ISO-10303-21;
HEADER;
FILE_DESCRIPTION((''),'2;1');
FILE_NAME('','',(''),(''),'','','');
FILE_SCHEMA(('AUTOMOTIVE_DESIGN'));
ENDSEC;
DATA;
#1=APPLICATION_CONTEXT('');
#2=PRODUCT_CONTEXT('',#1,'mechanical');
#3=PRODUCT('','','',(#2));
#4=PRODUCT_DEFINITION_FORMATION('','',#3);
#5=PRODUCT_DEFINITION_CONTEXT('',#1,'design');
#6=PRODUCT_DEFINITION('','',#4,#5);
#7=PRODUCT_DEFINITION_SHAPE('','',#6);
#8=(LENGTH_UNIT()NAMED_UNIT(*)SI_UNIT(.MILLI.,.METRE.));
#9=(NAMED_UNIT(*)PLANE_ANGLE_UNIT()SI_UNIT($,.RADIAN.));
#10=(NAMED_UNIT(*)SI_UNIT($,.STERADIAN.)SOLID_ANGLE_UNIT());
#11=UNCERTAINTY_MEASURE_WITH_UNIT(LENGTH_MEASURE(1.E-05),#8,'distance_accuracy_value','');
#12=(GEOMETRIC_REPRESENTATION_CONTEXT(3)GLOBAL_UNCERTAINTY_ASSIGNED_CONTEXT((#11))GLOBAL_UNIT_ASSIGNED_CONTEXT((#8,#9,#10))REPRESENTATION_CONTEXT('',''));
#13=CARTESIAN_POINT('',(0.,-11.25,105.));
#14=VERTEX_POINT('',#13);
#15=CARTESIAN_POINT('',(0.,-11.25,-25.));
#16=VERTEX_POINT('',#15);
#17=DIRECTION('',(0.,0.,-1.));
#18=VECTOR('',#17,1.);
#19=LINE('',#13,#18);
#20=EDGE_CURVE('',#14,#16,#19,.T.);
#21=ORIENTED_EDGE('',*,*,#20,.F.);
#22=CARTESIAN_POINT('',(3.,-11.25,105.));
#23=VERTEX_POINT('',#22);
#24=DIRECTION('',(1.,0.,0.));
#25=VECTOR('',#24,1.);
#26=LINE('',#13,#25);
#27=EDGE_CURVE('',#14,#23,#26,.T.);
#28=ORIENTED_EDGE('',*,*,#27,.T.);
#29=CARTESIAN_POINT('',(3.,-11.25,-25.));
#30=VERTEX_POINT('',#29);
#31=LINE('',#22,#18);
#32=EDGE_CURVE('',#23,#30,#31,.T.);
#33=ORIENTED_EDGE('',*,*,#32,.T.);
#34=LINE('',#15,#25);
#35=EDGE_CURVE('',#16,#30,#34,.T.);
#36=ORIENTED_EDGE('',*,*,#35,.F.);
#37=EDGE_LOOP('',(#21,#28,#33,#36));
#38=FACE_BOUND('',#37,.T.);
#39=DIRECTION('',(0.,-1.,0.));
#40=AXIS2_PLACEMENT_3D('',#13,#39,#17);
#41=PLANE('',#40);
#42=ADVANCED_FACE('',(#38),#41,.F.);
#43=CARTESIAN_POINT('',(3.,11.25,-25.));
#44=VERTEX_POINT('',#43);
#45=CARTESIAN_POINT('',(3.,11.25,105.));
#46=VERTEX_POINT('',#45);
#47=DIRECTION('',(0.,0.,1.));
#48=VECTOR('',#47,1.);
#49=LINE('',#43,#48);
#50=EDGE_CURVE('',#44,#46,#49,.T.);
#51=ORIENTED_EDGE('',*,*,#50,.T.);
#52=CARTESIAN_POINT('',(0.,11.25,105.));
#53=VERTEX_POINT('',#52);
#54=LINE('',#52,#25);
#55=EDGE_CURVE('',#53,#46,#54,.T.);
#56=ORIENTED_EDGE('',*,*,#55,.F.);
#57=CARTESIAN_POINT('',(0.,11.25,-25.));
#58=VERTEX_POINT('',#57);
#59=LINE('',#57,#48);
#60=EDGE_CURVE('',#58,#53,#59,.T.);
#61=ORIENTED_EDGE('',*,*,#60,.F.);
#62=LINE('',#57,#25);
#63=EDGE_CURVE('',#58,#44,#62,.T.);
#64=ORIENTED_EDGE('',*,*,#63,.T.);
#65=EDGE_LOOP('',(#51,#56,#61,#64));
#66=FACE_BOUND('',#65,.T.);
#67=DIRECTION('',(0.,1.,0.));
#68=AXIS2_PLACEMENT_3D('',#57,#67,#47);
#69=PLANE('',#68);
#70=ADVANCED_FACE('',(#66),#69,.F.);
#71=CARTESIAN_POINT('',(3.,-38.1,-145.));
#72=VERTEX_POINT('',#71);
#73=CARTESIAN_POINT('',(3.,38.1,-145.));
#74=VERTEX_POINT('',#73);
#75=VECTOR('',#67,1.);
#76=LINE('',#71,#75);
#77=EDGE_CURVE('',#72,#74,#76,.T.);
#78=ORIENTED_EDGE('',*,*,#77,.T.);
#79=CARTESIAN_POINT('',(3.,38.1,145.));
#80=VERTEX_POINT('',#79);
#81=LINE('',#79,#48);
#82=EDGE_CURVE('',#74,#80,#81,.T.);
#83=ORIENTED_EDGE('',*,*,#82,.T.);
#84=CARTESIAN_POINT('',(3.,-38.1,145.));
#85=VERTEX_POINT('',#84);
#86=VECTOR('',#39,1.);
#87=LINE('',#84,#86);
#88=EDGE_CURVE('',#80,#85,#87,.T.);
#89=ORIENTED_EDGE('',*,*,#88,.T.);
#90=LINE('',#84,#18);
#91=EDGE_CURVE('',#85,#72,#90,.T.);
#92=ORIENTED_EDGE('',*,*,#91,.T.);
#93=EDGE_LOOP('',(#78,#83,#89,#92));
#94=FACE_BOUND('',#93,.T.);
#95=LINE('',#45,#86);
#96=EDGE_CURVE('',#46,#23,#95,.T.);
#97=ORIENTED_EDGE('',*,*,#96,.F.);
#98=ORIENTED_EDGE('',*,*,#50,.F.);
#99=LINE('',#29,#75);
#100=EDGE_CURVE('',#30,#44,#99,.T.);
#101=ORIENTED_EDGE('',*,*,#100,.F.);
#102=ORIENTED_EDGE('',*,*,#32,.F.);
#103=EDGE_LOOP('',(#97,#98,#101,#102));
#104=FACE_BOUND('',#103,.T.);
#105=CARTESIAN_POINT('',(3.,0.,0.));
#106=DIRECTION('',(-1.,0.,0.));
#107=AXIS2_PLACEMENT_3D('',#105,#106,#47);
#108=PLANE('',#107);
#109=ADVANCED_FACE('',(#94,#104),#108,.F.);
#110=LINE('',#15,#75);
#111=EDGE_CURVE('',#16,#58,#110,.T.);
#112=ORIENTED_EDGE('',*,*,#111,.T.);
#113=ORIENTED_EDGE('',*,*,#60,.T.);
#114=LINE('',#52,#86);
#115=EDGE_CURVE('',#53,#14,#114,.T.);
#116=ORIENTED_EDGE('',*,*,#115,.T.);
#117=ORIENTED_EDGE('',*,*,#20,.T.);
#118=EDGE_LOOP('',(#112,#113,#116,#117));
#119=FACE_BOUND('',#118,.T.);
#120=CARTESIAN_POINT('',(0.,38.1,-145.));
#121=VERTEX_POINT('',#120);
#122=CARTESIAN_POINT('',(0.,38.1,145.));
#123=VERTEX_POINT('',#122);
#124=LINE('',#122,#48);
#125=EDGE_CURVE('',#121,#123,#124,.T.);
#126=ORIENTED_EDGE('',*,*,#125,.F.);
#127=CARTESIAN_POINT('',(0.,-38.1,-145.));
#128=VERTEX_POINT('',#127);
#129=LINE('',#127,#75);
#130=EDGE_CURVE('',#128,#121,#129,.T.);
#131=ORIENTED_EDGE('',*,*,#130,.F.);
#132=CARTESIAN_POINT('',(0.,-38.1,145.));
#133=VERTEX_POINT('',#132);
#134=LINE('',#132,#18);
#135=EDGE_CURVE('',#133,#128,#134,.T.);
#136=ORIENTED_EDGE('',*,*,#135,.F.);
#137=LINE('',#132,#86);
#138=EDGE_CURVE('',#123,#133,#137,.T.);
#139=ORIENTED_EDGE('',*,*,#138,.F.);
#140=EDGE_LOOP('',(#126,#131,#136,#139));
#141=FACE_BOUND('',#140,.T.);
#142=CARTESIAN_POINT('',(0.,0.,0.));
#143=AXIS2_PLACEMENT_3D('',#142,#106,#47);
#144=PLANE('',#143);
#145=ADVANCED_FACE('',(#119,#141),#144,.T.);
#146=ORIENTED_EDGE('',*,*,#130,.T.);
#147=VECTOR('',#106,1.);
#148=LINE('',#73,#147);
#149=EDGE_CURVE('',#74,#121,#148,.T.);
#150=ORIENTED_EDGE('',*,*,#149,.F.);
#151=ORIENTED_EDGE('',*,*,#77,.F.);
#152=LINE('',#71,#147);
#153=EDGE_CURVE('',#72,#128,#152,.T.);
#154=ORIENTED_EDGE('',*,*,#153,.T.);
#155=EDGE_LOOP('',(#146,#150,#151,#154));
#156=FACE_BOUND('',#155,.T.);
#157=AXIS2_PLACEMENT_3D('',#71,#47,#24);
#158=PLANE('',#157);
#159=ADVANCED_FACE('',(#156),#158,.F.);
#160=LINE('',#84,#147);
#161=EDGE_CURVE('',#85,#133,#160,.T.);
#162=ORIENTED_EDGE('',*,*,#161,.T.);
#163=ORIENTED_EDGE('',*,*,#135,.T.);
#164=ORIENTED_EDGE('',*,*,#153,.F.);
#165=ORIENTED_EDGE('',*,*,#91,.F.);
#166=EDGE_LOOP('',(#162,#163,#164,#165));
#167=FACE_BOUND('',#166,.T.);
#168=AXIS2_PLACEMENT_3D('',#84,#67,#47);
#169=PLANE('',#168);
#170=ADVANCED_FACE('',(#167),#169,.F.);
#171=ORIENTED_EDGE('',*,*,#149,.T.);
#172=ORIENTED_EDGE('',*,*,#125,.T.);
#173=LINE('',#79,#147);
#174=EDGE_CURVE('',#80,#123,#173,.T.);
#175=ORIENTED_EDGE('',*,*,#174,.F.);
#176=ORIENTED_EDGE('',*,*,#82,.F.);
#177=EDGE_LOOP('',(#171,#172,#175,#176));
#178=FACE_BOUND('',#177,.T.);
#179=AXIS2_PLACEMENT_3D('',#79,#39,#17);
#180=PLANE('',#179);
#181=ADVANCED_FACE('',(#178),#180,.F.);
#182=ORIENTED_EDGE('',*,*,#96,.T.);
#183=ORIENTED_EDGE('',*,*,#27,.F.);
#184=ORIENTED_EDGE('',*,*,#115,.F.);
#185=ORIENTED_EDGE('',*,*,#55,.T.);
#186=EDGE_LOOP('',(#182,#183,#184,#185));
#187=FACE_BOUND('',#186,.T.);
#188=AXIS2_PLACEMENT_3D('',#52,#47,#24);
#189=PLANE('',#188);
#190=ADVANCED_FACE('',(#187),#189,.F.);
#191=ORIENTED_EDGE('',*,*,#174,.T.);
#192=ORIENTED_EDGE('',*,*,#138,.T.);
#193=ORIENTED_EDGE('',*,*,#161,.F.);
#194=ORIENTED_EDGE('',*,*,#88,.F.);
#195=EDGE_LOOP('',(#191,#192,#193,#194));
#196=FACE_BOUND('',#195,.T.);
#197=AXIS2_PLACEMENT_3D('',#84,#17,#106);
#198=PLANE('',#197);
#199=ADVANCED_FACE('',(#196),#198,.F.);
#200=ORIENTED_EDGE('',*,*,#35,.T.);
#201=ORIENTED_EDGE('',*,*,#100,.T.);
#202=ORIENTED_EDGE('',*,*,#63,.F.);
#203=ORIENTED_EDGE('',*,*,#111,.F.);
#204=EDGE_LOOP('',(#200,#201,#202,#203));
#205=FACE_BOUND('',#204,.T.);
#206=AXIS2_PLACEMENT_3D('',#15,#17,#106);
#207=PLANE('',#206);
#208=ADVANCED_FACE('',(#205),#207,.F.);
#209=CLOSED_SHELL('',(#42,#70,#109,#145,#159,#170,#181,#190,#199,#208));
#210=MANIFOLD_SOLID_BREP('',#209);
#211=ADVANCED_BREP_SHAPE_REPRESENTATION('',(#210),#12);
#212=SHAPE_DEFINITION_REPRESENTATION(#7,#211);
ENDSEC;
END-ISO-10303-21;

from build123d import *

# Parameters (mm, degrees)
SKETCH1_W           = 290
SKETCH1_H           = 76.2
BOSS_EXTRUDE1_DEPTH = 3
SKETCH2_W           = 130
SKETCH2_H           = 22.5
CUT_EXTRUDE1_DEPTH  = 4


with BuildPart() as part:
    # Sketch1 → Boss-Extrude1 (new body)
    with BuildSketch(Plane(origin=(0, 0, 0), x_dir=(0, 0, -1), z_dir=(1, 0, 0))):
        Rectangle(SKETCH1_W, SKETCH1_H)
    extrude(amount=BOSS_EXTRUDE1_DEPTH)

    # Sketch2 → Cut-Extrude1 (cut, through all)
    with BuildSketch(Plane(origin=(3, 0, 0), x_dir=(0, 0, -1), z_dir=(1, 0, 0))):
        with Locations((-40, 0)):
            Rectangle(SKETCH2_W, SKETCH2_H)
    extrude(amount=-CUT_EXTRUDE1_DEPTH, mode=Mode.SUBTRACT)


solid = part.part
